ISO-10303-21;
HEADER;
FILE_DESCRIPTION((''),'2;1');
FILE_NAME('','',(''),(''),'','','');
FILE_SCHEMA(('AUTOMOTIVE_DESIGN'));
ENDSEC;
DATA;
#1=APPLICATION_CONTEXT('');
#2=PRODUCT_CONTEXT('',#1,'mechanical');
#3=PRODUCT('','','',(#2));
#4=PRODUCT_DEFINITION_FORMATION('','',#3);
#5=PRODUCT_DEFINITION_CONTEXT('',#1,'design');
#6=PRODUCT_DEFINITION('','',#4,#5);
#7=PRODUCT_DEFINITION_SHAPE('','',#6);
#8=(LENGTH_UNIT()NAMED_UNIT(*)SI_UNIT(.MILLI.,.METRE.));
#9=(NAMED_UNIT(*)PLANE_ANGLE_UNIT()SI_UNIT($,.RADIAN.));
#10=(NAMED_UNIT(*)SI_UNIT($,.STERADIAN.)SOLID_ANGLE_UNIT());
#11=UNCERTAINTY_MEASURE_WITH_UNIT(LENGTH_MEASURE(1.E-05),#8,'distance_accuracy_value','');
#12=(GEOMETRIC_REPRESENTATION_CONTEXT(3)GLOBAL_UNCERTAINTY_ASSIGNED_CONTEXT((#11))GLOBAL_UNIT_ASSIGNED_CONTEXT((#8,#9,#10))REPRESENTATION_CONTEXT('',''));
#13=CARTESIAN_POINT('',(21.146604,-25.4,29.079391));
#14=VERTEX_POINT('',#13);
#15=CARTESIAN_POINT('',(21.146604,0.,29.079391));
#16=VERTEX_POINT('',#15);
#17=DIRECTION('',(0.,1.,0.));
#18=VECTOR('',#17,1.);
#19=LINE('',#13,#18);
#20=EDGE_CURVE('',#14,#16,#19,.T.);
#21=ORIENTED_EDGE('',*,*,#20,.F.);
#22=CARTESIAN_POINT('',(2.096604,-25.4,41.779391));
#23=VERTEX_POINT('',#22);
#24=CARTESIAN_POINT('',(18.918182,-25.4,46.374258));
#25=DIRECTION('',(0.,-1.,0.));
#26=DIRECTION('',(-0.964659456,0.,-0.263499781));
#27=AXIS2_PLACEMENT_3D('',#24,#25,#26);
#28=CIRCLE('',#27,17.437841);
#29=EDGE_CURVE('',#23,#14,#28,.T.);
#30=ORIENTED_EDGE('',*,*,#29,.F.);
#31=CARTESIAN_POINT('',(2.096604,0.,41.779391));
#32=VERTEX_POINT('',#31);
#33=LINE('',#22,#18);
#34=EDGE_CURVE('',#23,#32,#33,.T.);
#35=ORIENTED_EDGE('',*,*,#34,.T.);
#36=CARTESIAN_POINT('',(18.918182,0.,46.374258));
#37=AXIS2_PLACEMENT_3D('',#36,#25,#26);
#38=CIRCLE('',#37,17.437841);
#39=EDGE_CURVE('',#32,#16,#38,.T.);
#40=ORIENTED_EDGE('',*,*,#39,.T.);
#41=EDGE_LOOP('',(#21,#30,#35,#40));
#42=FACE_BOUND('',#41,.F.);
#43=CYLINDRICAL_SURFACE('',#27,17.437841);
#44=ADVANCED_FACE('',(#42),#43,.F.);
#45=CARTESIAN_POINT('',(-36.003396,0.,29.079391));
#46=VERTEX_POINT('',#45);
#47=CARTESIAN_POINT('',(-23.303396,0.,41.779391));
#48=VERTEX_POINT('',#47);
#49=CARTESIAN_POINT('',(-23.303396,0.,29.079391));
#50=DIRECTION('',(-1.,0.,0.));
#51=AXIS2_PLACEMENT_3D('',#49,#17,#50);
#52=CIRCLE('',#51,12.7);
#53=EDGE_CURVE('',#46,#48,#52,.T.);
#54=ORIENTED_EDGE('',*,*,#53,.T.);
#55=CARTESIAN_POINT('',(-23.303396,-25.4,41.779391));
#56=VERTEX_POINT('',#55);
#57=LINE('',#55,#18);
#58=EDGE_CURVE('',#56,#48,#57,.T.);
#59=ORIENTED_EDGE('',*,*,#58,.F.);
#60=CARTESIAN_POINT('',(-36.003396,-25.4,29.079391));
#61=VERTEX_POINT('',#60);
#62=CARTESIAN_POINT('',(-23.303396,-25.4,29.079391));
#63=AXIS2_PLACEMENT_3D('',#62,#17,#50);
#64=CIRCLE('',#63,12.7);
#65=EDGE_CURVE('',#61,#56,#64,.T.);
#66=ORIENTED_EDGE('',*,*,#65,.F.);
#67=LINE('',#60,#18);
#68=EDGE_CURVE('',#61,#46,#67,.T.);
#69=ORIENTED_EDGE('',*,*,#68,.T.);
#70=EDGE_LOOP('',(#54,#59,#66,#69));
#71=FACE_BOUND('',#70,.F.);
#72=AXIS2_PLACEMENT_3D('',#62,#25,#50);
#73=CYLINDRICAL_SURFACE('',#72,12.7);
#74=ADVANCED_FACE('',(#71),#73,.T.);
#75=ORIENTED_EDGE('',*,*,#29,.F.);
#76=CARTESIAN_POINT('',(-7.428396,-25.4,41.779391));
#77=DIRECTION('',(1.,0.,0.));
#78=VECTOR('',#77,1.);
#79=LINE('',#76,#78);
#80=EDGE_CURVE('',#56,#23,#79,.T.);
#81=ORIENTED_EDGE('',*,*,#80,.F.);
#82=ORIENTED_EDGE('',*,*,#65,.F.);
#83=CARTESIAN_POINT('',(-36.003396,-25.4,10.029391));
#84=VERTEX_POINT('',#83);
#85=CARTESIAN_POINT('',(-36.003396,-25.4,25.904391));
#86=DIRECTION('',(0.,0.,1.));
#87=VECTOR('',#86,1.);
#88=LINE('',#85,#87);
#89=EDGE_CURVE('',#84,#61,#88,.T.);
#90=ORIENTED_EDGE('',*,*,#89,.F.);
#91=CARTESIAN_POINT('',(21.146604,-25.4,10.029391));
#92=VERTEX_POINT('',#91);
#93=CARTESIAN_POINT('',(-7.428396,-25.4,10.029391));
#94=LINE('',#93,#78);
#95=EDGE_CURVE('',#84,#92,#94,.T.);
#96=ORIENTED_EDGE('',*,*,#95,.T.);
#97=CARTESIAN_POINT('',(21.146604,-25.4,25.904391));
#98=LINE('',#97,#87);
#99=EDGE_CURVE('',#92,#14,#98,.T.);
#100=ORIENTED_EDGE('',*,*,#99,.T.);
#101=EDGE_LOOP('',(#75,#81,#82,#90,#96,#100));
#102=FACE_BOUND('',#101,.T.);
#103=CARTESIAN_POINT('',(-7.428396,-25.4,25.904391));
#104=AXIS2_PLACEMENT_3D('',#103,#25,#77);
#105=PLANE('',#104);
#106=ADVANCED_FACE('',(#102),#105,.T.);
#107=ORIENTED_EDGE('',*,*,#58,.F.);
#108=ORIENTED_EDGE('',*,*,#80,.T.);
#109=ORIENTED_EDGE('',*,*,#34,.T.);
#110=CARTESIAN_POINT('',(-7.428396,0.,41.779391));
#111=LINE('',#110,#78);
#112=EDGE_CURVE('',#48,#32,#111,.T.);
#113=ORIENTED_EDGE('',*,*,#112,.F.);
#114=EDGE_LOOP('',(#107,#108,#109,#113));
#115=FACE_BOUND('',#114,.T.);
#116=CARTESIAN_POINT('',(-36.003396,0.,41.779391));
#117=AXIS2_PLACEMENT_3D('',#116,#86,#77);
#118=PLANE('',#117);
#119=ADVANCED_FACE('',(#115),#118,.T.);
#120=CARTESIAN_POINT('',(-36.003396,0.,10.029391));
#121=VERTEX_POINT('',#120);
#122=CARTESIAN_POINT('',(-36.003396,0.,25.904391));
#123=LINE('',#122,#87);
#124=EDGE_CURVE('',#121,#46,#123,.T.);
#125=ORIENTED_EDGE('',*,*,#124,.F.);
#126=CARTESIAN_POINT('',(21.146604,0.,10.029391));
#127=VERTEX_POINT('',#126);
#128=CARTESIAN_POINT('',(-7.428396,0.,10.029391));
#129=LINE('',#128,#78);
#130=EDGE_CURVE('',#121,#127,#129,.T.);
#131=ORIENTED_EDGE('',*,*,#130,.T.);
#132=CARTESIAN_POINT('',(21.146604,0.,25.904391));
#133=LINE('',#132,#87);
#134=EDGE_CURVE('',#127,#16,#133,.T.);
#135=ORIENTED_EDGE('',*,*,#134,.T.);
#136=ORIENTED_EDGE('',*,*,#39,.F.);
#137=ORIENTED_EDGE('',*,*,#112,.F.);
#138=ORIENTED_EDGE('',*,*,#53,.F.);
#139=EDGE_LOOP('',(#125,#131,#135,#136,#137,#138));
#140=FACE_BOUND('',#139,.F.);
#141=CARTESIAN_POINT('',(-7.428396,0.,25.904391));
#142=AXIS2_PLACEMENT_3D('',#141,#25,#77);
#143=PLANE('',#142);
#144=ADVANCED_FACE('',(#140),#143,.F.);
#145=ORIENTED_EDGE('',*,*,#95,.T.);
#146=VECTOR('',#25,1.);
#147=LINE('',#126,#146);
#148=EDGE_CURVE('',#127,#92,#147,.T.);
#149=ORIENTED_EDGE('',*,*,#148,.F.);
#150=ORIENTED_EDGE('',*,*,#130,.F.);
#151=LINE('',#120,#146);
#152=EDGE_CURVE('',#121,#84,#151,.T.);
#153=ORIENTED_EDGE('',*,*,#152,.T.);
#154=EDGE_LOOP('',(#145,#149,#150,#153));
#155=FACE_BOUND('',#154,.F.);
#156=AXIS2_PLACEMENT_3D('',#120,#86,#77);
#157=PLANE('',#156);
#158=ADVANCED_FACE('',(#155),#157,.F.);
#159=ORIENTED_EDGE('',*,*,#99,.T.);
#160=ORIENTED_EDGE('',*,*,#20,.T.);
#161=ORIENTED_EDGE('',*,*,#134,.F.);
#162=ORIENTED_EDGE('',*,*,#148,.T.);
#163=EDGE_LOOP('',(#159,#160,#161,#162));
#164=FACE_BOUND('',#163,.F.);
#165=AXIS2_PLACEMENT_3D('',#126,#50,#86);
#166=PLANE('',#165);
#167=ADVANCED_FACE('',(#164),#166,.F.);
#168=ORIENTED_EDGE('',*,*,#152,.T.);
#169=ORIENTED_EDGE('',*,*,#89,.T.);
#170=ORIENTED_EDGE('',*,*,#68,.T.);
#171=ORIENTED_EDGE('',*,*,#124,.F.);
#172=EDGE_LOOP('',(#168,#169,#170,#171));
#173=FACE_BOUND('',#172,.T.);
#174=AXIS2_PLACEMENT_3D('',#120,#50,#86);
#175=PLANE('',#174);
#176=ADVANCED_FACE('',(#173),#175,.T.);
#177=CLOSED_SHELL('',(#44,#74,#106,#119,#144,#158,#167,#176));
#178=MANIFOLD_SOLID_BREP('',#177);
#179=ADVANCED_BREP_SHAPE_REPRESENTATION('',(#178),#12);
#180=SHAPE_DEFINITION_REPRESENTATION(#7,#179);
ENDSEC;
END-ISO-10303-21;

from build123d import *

# Parameters (mm, degrees)
F0_W     = 57.15
F0_H     = 31.75
F1_DEPTH = 25.4
F3_DEPTH = 25.4
F5_DEPTH = 25.4


with BuildPart() as f1:
    # F0 (on Front) → F1 (new body)
    with BuildSketch(Plane.XZ):
        with Locations((-7.4283964932, 25.9043908785)):
            Rectangle(F0_W, F0_H)
    extrude(amount=F1_DEPTH)

    # F2 (on face) → F3 (cut)
    with BuildSketch(Plane.XZ.offset(25.4)):
        with BuildLine():
            ThreePointArc((2.0966035068, 41.7793908785), (9.2454078798, 31.865097438), (21.1466035068, 29.0793908785))
            Line((21.1466035068, 29.0793908785), (21.1466035068, 41.7793908785))
            Line((21.1466035068, 41.7793908785), (2.0966035068, 41.7793908785))
        make_face()
    extrude(amount=-F3_DEPTH, mode=Mode.SUBTRACT)

    # F4 (on face) → F5 (cut)
    with BuildSketch(Plane.XZ.offset(25.4)):
        with BuildLine():
            Line((-36.0033964932, 41.7793908785), (-36.0033964932, 35.4293908785))
            Line((-36.0033964932, 35.4293908785), (-36.0033964932, 29.0793908785))
            ThreePointArc((-36.0033964932, 29.0793908785), (-32.2836526143, 38.0596469995), (-23.3033964932, 41.7793908785))
            Line((-23.3033964932, 41.7793908785), (-36.0033964932, 41.7793908785))
        make_face()
    extrude(amount=-F5_DEPTH, mode=Mode.SUBTRACT)


solid = f1.part
